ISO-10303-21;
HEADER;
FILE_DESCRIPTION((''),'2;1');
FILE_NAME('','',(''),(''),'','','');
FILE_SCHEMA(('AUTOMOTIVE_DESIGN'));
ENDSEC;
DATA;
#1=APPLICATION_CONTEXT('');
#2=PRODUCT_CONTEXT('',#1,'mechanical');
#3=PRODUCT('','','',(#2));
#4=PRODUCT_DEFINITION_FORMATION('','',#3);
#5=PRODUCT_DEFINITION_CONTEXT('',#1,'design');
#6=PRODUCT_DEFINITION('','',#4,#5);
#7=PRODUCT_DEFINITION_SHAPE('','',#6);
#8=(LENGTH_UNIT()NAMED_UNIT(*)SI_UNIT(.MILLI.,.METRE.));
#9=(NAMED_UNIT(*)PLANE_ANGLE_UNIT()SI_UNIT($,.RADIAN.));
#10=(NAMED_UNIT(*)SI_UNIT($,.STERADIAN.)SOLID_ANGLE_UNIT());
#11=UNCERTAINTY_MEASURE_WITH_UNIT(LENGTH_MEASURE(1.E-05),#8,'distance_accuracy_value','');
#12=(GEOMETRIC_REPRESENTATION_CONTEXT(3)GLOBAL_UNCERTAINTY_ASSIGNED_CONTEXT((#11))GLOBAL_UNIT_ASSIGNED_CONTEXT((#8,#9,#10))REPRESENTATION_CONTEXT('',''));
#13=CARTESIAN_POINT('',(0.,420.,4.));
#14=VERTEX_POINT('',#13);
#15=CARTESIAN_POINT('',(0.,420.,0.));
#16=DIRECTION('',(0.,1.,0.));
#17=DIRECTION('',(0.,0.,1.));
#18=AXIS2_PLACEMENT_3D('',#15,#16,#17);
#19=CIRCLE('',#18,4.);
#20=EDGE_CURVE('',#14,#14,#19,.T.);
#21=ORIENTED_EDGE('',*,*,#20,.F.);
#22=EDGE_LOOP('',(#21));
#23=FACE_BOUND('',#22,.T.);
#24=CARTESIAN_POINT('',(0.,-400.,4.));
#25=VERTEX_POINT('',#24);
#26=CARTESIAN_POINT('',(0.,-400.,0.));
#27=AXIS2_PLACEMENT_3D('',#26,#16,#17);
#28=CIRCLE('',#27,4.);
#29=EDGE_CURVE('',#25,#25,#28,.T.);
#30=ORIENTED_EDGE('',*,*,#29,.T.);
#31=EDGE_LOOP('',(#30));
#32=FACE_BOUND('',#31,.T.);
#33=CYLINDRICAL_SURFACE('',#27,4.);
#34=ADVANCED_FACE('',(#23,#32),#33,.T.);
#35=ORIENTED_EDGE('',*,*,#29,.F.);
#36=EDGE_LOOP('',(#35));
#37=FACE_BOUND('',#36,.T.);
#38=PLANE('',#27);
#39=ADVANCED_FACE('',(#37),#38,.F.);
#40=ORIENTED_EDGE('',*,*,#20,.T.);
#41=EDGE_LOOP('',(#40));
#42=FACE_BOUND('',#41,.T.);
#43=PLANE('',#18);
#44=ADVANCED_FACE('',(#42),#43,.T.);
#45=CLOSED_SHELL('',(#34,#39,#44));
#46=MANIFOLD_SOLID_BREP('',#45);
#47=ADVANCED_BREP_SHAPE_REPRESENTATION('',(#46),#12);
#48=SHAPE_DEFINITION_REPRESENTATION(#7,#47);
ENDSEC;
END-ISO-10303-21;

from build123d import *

# Parameters (mm, degrees)
BOSS_EXTRUDE1_DEPTH      = 420
BOSS_EXTRUDE1_DEPTH_BACK = 400
SKETCH1_R                = 4


with BuildPart() as part:
    # Sketch1 → Boss-Extrude1 (new, two sides: drawn at the far end of the back side and taken through both)
    with BuildSketch(Plane(origin=(0, 0, 0), x_dir=(1, 0, 0), z_dir=(0, 1, 0)).offset(-BOSS_EXTRUDE1_DEPTH_BACK)):
        with Locations(Location((0, 0, 0), (0, 0, 270))):
            Circle(SKETCH1_R)
    extrude(amount=BOSS_EXTRUDE1_DEPTH + BOSS_EXTRUDE1_DEPTH_BACK)


solid = part.part
